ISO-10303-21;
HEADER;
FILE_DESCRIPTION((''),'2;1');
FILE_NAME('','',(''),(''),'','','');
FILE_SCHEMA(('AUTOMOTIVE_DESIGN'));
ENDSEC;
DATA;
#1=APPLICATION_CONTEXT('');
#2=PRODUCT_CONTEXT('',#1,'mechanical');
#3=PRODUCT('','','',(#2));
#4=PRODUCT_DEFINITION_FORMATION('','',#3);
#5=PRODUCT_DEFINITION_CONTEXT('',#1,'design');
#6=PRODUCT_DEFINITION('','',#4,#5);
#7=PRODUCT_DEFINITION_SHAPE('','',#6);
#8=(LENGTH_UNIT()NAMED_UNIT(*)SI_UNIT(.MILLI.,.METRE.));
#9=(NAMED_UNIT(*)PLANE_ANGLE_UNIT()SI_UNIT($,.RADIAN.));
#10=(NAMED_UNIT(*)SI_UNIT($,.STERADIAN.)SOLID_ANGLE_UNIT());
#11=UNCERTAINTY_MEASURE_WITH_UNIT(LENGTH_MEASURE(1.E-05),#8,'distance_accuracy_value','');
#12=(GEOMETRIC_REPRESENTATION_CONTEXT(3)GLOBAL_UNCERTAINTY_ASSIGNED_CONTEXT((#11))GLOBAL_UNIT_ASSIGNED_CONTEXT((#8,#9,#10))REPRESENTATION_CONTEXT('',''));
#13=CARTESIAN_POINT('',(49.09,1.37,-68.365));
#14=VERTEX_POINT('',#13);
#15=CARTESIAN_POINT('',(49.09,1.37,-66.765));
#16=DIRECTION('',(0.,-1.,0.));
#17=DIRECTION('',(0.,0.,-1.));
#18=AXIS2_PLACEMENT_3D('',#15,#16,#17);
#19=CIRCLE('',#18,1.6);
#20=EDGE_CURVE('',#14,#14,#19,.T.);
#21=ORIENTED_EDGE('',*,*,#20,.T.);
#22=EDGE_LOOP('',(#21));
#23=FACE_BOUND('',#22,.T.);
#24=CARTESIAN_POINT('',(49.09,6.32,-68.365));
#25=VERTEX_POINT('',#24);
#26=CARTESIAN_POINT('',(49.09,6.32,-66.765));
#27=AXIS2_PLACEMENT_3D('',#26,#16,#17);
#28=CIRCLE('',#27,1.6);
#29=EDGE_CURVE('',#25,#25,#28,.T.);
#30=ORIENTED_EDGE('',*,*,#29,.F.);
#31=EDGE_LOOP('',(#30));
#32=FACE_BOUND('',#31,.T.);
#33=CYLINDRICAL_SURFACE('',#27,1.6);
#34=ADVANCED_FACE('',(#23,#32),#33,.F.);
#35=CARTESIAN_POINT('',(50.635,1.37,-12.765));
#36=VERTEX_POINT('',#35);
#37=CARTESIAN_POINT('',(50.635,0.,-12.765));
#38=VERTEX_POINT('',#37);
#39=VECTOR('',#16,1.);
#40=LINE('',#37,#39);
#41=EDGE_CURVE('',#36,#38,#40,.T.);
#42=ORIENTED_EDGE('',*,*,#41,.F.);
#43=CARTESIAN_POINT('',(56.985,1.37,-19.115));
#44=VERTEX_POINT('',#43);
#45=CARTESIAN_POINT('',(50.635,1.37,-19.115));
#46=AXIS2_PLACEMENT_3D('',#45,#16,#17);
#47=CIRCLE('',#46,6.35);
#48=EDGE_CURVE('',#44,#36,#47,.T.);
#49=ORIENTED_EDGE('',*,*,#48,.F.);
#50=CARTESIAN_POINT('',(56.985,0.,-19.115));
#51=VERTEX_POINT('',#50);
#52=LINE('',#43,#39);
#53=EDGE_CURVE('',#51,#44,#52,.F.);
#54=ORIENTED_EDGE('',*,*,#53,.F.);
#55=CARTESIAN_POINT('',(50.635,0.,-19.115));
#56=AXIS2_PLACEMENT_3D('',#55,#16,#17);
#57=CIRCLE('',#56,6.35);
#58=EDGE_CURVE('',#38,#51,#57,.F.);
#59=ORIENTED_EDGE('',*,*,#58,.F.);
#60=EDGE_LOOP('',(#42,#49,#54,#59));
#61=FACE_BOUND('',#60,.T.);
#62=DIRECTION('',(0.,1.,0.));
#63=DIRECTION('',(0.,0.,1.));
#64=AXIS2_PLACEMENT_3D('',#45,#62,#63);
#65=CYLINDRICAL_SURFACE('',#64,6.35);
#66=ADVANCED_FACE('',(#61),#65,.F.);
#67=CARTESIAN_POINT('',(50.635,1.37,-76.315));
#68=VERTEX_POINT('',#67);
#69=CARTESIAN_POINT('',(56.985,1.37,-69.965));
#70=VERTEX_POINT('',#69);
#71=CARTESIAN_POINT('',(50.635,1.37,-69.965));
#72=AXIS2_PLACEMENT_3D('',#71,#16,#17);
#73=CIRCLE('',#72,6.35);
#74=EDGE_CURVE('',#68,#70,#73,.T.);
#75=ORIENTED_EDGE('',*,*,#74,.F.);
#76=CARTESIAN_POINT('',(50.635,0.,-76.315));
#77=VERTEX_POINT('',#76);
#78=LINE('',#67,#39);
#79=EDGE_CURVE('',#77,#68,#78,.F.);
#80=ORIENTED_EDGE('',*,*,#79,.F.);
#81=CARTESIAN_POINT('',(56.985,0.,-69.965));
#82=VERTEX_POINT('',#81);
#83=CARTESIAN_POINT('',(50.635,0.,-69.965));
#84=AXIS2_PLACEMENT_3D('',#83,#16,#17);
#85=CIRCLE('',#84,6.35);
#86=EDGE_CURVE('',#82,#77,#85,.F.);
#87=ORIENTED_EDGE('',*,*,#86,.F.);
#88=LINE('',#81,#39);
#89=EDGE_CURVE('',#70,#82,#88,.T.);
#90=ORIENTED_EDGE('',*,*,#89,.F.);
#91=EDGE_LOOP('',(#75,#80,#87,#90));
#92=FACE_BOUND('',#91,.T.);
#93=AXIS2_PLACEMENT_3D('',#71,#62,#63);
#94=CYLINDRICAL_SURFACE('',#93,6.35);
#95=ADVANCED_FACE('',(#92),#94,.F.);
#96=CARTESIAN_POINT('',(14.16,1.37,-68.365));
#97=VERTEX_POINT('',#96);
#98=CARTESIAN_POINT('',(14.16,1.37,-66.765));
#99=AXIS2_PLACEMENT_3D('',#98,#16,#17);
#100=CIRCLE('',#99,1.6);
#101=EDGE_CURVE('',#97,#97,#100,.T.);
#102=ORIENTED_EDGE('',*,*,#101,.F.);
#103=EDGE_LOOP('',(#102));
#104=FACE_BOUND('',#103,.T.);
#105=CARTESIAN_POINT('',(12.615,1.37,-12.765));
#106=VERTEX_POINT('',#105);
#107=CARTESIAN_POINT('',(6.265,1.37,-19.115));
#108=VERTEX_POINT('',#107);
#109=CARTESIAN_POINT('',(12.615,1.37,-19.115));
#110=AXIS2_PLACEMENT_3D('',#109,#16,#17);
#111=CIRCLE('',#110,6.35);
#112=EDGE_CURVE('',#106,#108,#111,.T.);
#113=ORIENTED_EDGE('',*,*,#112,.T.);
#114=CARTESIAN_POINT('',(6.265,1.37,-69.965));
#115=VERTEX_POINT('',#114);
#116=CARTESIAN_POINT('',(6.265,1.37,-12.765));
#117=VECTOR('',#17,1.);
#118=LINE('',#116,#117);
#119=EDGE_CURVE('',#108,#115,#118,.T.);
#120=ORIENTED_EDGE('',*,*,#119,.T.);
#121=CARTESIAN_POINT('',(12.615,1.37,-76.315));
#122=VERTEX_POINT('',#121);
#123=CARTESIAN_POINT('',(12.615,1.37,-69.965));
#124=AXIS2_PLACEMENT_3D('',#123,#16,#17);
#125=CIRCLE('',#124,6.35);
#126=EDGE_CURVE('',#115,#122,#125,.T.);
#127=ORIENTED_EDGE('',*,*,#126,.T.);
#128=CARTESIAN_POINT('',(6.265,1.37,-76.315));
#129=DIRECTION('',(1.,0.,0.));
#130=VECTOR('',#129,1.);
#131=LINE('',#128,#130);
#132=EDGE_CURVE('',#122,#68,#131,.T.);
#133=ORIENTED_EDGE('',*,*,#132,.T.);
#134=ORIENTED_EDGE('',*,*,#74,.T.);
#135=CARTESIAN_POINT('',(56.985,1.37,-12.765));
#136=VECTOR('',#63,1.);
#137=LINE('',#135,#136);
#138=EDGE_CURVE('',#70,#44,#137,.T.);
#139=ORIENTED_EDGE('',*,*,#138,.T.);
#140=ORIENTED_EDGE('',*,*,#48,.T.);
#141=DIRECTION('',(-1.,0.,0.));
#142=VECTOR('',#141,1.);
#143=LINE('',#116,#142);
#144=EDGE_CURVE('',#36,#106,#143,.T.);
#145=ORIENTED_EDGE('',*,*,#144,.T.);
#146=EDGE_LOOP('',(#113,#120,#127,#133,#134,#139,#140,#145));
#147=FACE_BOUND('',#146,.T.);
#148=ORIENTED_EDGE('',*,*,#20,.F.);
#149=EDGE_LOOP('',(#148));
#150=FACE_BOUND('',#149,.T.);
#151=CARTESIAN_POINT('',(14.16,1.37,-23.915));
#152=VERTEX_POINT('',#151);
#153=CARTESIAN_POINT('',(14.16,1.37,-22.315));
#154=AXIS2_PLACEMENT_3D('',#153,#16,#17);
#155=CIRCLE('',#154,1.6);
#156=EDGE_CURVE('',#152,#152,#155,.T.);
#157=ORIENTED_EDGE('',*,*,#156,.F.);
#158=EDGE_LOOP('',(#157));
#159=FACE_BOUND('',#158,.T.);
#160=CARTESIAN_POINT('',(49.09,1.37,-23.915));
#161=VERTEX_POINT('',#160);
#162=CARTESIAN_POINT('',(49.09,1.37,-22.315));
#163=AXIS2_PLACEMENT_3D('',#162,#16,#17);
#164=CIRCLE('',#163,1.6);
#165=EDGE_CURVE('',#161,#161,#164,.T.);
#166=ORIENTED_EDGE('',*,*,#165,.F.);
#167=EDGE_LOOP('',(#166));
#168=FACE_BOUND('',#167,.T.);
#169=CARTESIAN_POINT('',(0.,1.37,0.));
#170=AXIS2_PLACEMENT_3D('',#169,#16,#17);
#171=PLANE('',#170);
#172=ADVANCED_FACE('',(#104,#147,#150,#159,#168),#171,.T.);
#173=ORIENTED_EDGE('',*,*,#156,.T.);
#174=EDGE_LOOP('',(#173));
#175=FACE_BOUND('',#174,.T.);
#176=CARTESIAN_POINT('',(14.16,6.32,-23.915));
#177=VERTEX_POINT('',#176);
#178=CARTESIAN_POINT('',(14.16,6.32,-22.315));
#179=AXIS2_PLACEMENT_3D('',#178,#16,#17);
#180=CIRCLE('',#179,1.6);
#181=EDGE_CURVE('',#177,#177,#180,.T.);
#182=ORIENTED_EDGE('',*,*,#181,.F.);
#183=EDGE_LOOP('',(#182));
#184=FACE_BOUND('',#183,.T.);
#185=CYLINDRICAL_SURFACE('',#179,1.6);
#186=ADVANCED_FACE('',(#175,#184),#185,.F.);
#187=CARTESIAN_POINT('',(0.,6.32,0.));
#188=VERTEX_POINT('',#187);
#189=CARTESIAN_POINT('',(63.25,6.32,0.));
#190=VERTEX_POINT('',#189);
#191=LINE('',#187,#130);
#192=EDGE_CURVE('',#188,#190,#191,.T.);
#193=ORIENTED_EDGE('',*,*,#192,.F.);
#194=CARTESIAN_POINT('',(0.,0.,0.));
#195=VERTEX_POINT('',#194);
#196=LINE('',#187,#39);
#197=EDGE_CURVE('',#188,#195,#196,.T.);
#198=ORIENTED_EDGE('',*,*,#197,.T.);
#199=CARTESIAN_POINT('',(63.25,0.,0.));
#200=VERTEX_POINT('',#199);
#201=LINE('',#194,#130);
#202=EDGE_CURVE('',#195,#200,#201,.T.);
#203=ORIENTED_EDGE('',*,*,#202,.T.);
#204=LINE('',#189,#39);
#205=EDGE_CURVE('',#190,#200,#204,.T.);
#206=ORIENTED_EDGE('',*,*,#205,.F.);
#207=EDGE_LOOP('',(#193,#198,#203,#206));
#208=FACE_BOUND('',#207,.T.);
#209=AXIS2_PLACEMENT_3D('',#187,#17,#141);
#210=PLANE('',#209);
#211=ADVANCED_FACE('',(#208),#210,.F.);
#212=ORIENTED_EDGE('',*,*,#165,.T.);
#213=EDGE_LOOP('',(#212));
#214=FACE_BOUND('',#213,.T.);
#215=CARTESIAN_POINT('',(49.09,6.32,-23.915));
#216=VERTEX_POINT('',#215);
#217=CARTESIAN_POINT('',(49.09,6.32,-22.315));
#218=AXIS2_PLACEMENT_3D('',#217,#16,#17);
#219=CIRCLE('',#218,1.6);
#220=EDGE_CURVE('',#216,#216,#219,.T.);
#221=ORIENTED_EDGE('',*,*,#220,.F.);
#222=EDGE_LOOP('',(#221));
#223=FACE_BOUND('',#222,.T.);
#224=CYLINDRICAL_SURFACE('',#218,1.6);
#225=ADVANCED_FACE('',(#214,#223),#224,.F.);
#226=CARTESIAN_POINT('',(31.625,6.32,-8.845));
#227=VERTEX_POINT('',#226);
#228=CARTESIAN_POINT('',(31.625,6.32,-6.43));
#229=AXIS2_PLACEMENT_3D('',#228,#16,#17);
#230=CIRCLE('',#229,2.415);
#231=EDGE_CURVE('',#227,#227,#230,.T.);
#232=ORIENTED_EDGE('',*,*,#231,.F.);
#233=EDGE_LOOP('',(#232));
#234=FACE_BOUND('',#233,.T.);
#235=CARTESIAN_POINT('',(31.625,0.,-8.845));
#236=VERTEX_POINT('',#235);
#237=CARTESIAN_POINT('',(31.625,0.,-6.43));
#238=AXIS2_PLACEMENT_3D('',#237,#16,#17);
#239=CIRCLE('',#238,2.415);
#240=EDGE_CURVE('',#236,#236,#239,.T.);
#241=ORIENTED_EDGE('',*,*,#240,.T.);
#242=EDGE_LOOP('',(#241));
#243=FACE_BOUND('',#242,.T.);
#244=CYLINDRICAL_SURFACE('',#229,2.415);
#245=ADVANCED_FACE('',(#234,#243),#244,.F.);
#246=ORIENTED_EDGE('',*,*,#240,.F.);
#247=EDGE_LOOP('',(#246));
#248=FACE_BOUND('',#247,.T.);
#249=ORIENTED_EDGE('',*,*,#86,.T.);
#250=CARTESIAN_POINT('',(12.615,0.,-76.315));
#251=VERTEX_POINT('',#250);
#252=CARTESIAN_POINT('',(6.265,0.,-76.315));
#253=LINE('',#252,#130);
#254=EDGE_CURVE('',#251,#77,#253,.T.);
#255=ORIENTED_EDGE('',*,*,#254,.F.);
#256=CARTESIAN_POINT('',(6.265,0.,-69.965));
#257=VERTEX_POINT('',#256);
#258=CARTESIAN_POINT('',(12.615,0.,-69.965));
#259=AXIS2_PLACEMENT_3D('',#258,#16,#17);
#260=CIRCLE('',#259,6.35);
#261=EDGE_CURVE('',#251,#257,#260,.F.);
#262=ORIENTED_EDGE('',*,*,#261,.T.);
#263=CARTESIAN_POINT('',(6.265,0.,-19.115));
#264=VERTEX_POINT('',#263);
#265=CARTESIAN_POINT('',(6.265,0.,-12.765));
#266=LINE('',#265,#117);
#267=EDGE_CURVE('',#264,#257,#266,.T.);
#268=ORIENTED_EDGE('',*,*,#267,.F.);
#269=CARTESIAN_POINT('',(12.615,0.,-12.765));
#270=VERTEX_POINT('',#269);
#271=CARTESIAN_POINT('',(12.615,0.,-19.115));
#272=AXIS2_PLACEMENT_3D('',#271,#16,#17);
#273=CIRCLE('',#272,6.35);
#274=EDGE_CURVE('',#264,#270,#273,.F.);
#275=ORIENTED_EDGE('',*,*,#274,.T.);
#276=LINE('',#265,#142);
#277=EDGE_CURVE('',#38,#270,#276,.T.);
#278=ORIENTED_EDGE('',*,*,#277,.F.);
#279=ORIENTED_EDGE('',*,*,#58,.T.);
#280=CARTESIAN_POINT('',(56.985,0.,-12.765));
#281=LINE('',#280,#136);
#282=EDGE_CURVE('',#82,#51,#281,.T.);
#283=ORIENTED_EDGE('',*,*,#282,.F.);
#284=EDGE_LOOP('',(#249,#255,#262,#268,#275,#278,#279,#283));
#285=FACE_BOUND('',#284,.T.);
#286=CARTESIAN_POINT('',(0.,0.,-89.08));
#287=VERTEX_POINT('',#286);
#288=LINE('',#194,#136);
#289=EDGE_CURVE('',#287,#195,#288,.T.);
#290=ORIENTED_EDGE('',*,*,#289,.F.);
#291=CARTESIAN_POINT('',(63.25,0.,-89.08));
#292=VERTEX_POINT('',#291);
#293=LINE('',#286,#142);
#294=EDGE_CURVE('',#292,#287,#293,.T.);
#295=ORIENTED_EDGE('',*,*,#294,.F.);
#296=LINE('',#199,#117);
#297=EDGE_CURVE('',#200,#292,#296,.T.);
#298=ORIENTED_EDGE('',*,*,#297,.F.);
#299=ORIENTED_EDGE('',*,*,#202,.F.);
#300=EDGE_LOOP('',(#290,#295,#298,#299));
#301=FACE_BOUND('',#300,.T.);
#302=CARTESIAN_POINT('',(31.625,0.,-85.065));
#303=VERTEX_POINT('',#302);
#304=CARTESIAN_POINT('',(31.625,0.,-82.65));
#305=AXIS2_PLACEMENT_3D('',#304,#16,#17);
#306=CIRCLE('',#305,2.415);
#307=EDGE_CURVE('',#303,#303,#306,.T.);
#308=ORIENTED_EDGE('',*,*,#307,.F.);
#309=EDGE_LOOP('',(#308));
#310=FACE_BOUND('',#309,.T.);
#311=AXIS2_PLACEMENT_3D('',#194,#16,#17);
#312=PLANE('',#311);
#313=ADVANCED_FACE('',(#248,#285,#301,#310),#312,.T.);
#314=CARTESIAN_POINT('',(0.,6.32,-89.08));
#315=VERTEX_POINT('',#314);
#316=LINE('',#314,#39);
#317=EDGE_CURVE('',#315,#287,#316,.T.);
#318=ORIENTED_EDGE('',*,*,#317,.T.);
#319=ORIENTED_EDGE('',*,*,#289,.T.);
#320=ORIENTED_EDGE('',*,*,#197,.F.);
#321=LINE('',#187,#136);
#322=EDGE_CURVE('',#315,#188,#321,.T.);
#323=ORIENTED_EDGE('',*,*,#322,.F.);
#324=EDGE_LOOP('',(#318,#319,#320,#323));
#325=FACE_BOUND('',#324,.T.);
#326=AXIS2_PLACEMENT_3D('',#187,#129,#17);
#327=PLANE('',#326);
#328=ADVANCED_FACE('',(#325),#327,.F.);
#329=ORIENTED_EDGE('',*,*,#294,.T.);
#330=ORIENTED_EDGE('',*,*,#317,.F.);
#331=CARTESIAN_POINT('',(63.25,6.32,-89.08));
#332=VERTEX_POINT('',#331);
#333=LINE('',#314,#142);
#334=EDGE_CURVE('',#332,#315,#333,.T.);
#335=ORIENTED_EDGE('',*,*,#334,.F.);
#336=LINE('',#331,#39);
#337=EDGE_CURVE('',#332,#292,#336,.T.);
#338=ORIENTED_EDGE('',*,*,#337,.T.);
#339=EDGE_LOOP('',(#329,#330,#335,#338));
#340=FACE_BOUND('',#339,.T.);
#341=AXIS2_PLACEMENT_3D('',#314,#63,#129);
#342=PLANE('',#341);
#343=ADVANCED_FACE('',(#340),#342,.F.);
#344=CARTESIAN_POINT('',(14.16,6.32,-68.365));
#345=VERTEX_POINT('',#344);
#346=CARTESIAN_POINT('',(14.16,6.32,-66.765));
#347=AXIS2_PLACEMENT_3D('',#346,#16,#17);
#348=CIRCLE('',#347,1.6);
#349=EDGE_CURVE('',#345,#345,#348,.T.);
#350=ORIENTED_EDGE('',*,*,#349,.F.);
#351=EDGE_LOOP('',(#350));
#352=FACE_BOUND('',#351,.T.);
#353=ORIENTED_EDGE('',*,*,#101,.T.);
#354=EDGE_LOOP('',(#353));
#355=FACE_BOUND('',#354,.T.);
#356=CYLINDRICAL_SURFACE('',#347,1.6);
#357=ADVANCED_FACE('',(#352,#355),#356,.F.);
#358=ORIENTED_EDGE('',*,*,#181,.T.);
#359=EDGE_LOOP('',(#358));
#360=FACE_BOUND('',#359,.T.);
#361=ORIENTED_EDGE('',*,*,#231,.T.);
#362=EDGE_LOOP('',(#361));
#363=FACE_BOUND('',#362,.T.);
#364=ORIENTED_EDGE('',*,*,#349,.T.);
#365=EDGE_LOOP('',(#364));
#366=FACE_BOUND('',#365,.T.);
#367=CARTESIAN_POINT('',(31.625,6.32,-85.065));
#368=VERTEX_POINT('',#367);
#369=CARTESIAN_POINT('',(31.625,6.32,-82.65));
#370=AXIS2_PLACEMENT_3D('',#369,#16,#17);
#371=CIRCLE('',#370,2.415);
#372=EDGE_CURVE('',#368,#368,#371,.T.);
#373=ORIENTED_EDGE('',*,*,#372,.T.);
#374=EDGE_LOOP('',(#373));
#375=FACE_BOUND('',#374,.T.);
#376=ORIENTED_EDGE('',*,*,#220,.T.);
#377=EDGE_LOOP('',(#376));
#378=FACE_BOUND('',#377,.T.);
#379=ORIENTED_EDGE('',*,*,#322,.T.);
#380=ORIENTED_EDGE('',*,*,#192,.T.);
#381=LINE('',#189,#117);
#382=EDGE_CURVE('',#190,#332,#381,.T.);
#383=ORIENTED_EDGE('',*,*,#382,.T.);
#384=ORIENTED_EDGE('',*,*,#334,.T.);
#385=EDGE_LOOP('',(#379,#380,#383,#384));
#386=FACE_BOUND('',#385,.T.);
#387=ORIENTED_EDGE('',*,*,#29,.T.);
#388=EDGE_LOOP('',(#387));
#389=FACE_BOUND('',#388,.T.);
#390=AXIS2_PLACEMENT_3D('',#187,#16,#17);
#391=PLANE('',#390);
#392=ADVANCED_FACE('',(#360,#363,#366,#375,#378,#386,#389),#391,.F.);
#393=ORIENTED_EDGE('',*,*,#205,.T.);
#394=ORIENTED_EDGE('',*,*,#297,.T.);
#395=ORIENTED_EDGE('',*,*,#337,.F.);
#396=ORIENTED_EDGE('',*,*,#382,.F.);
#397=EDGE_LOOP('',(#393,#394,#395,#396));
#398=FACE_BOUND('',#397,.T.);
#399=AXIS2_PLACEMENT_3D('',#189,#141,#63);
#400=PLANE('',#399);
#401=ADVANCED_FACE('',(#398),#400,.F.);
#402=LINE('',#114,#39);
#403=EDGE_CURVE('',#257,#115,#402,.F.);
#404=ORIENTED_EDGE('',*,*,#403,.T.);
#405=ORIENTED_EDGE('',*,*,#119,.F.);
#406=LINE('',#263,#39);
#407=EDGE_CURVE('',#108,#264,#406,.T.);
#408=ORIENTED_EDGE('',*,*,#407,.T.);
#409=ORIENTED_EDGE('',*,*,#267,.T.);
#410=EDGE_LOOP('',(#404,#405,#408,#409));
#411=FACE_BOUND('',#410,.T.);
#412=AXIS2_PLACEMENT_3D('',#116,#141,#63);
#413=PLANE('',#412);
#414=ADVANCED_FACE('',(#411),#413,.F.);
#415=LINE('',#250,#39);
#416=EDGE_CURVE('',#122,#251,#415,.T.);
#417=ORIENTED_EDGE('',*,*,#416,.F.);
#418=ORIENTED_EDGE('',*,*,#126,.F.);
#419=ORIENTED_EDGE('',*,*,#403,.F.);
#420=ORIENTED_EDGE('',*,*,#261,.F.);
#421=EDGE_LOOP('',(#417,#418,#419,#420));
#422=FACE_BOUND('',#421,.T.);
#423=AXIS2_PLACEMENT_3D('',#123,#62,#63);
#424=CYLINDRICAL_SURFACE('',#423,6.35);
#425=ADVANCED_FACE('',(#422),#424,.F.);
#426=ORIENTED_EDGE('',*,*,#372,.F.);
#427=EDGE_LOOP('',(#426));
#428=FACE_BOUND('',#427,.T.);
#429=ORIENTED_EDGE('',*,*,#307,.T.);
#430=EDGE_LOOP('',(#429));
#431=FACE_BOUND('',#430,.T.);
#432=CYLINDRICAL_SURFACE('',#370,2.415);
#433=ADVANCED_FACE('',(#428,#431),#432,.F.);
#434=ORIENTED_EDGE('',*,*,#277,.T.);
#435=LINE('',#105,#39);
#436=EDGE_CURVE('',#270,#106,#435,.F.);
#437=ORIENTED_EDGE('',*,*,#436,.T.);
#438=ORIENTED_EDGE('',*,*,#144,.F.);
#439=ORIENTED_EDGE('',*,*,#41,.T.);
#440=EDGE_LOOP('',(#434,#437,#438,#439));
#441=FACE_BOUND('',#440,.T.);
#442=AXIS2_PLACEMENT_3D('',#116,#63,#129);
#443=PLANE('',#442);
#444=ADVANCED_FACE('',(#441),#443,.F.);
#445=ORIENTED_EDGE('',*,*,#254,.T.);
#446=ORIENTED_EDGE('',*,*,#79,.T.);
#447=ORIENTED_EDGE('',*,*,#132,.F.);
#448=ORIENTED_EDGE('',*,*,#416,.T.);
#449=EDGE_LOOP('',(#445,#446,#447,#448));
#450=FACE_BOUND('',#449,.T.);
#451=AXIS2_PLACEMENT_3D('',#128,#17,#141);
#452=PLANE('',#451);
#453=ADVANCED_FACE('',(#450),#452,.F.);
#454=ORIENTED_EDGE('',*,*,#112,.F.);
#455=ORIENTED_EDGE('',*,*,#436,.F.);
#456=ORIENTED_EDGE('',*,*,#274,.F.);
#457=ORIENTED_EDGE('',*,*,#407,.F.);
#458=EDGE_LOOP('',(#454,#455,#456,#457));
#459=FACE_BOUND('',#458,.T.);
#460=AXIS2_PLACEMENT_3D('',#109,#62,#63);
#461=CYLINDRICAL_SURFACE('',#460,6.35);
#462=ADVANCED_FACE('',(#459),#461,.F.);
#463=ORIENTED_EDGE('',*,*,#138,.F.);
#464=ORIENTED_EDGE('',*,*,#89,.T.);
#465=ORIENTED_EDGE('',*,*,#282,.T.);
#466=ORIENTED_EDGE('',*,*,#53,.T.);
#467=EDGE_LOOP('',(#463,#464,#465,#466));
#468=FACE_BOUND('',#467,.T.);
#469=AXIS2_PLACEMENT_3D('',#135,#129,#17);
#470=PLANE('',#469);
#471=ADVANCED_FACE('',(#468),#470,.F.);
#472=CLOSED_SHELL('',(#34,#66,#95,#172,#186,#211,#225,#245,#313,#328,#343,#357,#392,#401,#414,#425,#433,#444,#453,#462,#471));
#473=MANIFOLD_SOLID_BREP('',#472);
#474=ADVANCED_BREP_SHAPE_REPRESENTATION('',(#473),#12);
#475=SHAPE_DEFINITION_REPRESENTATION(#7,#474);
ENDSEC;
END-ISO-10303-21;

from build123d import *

# Parameters (mm, degrees)
SKETCH2_W           = 63.25
SKETCH2_H           = 89.08
BOSS_EXTRUDE1_DEPTH = 6.32
SKETCH3_R           = 2.415
CUT_EXTRUDE1_DEPTH  = 6.32
SKETCH4_R           = 2.415
CUT_EXTRUDE2_DEPTH  = 6.32
SKETCH5_W           = 50.72
SKETCH5_H           = 63.55
CUT_EXTRUDE3_DEPTH  = 1.37
FILLET1_R           = 6.35
SKETCH7_R           = 1.6
CUT_EXTRUDE4_DEPTH  = 5.95


with BuildPart() as part:
    # Sketch2 → Boss-Extrude1 (new body)
    with BuildSketch(Plane(origin=(0, 0, 0), x_dir=(1, 0, 0), z_dir=(0, 1, 0))):
        with Locations((31.625, 44.54)):
            Rectangle(SKETCH2_W, SKETCH2_H)
    extrude(amount=BOSS_EXTRUDE1_DEPTH)

    # Sketch3 → Cut-Extrude1 (cut)
    with BuildSketch(Plane(origin=(0, 0, 0), x_dir=(-1, 0, 0), z_dir=(0, -1, 0))):
        with Locations((-31.625, 82.65)):
            Circle(SKETCH3_R)
    extrude(amount=-CUT_EXTRUDE1_DEPTH, mode=Mode.SUBTRACT)

    # Sketch4 → Cut-Extrude2 (cut)
    with BuildSketch(Plane(origin=(0, 0, 0), x_dir=(-1, 0, 0), z_dir=(0, -1, 0))):
        with Locations((-31.625, 6.43)):
            Circle(SKETCH4_R)
    extrude(amount=-CUT_EXTRUDE2_DEPTH, mode=Mode.SUBTRACT)

    # Sketch5 → Cut-Extrude3 (cut)
    with BuildSketch(Plane(origin=(0, 0, 0), x_dir=(-1, 0, 0), z_dir=(0, -1, 0))):
        with Locations((-31.625, 44.54)):
            Rectangle(SKETCH5_W, SKETCH5_H)
    extrude(amount=-CUT_EXTRUDE3_DEPTH, mode=Mode.SUBTRACT)

    # Fillet1
    fillet1_edges = [part.edges().sort_by_distance(p)[0] for p in [
        (56.985, 0.685, -12.765),
        (56.985, 0.685, -76.315),
        (6.265, 0.685, -76.315),
        (6.265, 0.685, -12.765),
    ]]
    fillet(fillet1_edges, radius=FILLET1_R)

    # Sketch7 → Cut-Extrude4 (cut, through all)
    with BuildSketch(Plane(origin=(0, 1.37, 0), x_dir=(-1, 0, 0), z_dir=(0, -1, 0))):
        with Locations((-49.09, 22.315)):
            Circle(SKETCH7_R)
        with Locations((-49.09, 66.765)):
            Circle(SKETCH7_R)
        with Locations((-14.16, 66.765)):
            Circle(SKETCH7_R)
        with Locations((-14.16, 22.315)):
            Circle(SKETCH7_R)
    extrude(amount=-CUT_EXTRUDE4_DEPTH, mode=Mode.SUBTRACT)


solid = part.part
